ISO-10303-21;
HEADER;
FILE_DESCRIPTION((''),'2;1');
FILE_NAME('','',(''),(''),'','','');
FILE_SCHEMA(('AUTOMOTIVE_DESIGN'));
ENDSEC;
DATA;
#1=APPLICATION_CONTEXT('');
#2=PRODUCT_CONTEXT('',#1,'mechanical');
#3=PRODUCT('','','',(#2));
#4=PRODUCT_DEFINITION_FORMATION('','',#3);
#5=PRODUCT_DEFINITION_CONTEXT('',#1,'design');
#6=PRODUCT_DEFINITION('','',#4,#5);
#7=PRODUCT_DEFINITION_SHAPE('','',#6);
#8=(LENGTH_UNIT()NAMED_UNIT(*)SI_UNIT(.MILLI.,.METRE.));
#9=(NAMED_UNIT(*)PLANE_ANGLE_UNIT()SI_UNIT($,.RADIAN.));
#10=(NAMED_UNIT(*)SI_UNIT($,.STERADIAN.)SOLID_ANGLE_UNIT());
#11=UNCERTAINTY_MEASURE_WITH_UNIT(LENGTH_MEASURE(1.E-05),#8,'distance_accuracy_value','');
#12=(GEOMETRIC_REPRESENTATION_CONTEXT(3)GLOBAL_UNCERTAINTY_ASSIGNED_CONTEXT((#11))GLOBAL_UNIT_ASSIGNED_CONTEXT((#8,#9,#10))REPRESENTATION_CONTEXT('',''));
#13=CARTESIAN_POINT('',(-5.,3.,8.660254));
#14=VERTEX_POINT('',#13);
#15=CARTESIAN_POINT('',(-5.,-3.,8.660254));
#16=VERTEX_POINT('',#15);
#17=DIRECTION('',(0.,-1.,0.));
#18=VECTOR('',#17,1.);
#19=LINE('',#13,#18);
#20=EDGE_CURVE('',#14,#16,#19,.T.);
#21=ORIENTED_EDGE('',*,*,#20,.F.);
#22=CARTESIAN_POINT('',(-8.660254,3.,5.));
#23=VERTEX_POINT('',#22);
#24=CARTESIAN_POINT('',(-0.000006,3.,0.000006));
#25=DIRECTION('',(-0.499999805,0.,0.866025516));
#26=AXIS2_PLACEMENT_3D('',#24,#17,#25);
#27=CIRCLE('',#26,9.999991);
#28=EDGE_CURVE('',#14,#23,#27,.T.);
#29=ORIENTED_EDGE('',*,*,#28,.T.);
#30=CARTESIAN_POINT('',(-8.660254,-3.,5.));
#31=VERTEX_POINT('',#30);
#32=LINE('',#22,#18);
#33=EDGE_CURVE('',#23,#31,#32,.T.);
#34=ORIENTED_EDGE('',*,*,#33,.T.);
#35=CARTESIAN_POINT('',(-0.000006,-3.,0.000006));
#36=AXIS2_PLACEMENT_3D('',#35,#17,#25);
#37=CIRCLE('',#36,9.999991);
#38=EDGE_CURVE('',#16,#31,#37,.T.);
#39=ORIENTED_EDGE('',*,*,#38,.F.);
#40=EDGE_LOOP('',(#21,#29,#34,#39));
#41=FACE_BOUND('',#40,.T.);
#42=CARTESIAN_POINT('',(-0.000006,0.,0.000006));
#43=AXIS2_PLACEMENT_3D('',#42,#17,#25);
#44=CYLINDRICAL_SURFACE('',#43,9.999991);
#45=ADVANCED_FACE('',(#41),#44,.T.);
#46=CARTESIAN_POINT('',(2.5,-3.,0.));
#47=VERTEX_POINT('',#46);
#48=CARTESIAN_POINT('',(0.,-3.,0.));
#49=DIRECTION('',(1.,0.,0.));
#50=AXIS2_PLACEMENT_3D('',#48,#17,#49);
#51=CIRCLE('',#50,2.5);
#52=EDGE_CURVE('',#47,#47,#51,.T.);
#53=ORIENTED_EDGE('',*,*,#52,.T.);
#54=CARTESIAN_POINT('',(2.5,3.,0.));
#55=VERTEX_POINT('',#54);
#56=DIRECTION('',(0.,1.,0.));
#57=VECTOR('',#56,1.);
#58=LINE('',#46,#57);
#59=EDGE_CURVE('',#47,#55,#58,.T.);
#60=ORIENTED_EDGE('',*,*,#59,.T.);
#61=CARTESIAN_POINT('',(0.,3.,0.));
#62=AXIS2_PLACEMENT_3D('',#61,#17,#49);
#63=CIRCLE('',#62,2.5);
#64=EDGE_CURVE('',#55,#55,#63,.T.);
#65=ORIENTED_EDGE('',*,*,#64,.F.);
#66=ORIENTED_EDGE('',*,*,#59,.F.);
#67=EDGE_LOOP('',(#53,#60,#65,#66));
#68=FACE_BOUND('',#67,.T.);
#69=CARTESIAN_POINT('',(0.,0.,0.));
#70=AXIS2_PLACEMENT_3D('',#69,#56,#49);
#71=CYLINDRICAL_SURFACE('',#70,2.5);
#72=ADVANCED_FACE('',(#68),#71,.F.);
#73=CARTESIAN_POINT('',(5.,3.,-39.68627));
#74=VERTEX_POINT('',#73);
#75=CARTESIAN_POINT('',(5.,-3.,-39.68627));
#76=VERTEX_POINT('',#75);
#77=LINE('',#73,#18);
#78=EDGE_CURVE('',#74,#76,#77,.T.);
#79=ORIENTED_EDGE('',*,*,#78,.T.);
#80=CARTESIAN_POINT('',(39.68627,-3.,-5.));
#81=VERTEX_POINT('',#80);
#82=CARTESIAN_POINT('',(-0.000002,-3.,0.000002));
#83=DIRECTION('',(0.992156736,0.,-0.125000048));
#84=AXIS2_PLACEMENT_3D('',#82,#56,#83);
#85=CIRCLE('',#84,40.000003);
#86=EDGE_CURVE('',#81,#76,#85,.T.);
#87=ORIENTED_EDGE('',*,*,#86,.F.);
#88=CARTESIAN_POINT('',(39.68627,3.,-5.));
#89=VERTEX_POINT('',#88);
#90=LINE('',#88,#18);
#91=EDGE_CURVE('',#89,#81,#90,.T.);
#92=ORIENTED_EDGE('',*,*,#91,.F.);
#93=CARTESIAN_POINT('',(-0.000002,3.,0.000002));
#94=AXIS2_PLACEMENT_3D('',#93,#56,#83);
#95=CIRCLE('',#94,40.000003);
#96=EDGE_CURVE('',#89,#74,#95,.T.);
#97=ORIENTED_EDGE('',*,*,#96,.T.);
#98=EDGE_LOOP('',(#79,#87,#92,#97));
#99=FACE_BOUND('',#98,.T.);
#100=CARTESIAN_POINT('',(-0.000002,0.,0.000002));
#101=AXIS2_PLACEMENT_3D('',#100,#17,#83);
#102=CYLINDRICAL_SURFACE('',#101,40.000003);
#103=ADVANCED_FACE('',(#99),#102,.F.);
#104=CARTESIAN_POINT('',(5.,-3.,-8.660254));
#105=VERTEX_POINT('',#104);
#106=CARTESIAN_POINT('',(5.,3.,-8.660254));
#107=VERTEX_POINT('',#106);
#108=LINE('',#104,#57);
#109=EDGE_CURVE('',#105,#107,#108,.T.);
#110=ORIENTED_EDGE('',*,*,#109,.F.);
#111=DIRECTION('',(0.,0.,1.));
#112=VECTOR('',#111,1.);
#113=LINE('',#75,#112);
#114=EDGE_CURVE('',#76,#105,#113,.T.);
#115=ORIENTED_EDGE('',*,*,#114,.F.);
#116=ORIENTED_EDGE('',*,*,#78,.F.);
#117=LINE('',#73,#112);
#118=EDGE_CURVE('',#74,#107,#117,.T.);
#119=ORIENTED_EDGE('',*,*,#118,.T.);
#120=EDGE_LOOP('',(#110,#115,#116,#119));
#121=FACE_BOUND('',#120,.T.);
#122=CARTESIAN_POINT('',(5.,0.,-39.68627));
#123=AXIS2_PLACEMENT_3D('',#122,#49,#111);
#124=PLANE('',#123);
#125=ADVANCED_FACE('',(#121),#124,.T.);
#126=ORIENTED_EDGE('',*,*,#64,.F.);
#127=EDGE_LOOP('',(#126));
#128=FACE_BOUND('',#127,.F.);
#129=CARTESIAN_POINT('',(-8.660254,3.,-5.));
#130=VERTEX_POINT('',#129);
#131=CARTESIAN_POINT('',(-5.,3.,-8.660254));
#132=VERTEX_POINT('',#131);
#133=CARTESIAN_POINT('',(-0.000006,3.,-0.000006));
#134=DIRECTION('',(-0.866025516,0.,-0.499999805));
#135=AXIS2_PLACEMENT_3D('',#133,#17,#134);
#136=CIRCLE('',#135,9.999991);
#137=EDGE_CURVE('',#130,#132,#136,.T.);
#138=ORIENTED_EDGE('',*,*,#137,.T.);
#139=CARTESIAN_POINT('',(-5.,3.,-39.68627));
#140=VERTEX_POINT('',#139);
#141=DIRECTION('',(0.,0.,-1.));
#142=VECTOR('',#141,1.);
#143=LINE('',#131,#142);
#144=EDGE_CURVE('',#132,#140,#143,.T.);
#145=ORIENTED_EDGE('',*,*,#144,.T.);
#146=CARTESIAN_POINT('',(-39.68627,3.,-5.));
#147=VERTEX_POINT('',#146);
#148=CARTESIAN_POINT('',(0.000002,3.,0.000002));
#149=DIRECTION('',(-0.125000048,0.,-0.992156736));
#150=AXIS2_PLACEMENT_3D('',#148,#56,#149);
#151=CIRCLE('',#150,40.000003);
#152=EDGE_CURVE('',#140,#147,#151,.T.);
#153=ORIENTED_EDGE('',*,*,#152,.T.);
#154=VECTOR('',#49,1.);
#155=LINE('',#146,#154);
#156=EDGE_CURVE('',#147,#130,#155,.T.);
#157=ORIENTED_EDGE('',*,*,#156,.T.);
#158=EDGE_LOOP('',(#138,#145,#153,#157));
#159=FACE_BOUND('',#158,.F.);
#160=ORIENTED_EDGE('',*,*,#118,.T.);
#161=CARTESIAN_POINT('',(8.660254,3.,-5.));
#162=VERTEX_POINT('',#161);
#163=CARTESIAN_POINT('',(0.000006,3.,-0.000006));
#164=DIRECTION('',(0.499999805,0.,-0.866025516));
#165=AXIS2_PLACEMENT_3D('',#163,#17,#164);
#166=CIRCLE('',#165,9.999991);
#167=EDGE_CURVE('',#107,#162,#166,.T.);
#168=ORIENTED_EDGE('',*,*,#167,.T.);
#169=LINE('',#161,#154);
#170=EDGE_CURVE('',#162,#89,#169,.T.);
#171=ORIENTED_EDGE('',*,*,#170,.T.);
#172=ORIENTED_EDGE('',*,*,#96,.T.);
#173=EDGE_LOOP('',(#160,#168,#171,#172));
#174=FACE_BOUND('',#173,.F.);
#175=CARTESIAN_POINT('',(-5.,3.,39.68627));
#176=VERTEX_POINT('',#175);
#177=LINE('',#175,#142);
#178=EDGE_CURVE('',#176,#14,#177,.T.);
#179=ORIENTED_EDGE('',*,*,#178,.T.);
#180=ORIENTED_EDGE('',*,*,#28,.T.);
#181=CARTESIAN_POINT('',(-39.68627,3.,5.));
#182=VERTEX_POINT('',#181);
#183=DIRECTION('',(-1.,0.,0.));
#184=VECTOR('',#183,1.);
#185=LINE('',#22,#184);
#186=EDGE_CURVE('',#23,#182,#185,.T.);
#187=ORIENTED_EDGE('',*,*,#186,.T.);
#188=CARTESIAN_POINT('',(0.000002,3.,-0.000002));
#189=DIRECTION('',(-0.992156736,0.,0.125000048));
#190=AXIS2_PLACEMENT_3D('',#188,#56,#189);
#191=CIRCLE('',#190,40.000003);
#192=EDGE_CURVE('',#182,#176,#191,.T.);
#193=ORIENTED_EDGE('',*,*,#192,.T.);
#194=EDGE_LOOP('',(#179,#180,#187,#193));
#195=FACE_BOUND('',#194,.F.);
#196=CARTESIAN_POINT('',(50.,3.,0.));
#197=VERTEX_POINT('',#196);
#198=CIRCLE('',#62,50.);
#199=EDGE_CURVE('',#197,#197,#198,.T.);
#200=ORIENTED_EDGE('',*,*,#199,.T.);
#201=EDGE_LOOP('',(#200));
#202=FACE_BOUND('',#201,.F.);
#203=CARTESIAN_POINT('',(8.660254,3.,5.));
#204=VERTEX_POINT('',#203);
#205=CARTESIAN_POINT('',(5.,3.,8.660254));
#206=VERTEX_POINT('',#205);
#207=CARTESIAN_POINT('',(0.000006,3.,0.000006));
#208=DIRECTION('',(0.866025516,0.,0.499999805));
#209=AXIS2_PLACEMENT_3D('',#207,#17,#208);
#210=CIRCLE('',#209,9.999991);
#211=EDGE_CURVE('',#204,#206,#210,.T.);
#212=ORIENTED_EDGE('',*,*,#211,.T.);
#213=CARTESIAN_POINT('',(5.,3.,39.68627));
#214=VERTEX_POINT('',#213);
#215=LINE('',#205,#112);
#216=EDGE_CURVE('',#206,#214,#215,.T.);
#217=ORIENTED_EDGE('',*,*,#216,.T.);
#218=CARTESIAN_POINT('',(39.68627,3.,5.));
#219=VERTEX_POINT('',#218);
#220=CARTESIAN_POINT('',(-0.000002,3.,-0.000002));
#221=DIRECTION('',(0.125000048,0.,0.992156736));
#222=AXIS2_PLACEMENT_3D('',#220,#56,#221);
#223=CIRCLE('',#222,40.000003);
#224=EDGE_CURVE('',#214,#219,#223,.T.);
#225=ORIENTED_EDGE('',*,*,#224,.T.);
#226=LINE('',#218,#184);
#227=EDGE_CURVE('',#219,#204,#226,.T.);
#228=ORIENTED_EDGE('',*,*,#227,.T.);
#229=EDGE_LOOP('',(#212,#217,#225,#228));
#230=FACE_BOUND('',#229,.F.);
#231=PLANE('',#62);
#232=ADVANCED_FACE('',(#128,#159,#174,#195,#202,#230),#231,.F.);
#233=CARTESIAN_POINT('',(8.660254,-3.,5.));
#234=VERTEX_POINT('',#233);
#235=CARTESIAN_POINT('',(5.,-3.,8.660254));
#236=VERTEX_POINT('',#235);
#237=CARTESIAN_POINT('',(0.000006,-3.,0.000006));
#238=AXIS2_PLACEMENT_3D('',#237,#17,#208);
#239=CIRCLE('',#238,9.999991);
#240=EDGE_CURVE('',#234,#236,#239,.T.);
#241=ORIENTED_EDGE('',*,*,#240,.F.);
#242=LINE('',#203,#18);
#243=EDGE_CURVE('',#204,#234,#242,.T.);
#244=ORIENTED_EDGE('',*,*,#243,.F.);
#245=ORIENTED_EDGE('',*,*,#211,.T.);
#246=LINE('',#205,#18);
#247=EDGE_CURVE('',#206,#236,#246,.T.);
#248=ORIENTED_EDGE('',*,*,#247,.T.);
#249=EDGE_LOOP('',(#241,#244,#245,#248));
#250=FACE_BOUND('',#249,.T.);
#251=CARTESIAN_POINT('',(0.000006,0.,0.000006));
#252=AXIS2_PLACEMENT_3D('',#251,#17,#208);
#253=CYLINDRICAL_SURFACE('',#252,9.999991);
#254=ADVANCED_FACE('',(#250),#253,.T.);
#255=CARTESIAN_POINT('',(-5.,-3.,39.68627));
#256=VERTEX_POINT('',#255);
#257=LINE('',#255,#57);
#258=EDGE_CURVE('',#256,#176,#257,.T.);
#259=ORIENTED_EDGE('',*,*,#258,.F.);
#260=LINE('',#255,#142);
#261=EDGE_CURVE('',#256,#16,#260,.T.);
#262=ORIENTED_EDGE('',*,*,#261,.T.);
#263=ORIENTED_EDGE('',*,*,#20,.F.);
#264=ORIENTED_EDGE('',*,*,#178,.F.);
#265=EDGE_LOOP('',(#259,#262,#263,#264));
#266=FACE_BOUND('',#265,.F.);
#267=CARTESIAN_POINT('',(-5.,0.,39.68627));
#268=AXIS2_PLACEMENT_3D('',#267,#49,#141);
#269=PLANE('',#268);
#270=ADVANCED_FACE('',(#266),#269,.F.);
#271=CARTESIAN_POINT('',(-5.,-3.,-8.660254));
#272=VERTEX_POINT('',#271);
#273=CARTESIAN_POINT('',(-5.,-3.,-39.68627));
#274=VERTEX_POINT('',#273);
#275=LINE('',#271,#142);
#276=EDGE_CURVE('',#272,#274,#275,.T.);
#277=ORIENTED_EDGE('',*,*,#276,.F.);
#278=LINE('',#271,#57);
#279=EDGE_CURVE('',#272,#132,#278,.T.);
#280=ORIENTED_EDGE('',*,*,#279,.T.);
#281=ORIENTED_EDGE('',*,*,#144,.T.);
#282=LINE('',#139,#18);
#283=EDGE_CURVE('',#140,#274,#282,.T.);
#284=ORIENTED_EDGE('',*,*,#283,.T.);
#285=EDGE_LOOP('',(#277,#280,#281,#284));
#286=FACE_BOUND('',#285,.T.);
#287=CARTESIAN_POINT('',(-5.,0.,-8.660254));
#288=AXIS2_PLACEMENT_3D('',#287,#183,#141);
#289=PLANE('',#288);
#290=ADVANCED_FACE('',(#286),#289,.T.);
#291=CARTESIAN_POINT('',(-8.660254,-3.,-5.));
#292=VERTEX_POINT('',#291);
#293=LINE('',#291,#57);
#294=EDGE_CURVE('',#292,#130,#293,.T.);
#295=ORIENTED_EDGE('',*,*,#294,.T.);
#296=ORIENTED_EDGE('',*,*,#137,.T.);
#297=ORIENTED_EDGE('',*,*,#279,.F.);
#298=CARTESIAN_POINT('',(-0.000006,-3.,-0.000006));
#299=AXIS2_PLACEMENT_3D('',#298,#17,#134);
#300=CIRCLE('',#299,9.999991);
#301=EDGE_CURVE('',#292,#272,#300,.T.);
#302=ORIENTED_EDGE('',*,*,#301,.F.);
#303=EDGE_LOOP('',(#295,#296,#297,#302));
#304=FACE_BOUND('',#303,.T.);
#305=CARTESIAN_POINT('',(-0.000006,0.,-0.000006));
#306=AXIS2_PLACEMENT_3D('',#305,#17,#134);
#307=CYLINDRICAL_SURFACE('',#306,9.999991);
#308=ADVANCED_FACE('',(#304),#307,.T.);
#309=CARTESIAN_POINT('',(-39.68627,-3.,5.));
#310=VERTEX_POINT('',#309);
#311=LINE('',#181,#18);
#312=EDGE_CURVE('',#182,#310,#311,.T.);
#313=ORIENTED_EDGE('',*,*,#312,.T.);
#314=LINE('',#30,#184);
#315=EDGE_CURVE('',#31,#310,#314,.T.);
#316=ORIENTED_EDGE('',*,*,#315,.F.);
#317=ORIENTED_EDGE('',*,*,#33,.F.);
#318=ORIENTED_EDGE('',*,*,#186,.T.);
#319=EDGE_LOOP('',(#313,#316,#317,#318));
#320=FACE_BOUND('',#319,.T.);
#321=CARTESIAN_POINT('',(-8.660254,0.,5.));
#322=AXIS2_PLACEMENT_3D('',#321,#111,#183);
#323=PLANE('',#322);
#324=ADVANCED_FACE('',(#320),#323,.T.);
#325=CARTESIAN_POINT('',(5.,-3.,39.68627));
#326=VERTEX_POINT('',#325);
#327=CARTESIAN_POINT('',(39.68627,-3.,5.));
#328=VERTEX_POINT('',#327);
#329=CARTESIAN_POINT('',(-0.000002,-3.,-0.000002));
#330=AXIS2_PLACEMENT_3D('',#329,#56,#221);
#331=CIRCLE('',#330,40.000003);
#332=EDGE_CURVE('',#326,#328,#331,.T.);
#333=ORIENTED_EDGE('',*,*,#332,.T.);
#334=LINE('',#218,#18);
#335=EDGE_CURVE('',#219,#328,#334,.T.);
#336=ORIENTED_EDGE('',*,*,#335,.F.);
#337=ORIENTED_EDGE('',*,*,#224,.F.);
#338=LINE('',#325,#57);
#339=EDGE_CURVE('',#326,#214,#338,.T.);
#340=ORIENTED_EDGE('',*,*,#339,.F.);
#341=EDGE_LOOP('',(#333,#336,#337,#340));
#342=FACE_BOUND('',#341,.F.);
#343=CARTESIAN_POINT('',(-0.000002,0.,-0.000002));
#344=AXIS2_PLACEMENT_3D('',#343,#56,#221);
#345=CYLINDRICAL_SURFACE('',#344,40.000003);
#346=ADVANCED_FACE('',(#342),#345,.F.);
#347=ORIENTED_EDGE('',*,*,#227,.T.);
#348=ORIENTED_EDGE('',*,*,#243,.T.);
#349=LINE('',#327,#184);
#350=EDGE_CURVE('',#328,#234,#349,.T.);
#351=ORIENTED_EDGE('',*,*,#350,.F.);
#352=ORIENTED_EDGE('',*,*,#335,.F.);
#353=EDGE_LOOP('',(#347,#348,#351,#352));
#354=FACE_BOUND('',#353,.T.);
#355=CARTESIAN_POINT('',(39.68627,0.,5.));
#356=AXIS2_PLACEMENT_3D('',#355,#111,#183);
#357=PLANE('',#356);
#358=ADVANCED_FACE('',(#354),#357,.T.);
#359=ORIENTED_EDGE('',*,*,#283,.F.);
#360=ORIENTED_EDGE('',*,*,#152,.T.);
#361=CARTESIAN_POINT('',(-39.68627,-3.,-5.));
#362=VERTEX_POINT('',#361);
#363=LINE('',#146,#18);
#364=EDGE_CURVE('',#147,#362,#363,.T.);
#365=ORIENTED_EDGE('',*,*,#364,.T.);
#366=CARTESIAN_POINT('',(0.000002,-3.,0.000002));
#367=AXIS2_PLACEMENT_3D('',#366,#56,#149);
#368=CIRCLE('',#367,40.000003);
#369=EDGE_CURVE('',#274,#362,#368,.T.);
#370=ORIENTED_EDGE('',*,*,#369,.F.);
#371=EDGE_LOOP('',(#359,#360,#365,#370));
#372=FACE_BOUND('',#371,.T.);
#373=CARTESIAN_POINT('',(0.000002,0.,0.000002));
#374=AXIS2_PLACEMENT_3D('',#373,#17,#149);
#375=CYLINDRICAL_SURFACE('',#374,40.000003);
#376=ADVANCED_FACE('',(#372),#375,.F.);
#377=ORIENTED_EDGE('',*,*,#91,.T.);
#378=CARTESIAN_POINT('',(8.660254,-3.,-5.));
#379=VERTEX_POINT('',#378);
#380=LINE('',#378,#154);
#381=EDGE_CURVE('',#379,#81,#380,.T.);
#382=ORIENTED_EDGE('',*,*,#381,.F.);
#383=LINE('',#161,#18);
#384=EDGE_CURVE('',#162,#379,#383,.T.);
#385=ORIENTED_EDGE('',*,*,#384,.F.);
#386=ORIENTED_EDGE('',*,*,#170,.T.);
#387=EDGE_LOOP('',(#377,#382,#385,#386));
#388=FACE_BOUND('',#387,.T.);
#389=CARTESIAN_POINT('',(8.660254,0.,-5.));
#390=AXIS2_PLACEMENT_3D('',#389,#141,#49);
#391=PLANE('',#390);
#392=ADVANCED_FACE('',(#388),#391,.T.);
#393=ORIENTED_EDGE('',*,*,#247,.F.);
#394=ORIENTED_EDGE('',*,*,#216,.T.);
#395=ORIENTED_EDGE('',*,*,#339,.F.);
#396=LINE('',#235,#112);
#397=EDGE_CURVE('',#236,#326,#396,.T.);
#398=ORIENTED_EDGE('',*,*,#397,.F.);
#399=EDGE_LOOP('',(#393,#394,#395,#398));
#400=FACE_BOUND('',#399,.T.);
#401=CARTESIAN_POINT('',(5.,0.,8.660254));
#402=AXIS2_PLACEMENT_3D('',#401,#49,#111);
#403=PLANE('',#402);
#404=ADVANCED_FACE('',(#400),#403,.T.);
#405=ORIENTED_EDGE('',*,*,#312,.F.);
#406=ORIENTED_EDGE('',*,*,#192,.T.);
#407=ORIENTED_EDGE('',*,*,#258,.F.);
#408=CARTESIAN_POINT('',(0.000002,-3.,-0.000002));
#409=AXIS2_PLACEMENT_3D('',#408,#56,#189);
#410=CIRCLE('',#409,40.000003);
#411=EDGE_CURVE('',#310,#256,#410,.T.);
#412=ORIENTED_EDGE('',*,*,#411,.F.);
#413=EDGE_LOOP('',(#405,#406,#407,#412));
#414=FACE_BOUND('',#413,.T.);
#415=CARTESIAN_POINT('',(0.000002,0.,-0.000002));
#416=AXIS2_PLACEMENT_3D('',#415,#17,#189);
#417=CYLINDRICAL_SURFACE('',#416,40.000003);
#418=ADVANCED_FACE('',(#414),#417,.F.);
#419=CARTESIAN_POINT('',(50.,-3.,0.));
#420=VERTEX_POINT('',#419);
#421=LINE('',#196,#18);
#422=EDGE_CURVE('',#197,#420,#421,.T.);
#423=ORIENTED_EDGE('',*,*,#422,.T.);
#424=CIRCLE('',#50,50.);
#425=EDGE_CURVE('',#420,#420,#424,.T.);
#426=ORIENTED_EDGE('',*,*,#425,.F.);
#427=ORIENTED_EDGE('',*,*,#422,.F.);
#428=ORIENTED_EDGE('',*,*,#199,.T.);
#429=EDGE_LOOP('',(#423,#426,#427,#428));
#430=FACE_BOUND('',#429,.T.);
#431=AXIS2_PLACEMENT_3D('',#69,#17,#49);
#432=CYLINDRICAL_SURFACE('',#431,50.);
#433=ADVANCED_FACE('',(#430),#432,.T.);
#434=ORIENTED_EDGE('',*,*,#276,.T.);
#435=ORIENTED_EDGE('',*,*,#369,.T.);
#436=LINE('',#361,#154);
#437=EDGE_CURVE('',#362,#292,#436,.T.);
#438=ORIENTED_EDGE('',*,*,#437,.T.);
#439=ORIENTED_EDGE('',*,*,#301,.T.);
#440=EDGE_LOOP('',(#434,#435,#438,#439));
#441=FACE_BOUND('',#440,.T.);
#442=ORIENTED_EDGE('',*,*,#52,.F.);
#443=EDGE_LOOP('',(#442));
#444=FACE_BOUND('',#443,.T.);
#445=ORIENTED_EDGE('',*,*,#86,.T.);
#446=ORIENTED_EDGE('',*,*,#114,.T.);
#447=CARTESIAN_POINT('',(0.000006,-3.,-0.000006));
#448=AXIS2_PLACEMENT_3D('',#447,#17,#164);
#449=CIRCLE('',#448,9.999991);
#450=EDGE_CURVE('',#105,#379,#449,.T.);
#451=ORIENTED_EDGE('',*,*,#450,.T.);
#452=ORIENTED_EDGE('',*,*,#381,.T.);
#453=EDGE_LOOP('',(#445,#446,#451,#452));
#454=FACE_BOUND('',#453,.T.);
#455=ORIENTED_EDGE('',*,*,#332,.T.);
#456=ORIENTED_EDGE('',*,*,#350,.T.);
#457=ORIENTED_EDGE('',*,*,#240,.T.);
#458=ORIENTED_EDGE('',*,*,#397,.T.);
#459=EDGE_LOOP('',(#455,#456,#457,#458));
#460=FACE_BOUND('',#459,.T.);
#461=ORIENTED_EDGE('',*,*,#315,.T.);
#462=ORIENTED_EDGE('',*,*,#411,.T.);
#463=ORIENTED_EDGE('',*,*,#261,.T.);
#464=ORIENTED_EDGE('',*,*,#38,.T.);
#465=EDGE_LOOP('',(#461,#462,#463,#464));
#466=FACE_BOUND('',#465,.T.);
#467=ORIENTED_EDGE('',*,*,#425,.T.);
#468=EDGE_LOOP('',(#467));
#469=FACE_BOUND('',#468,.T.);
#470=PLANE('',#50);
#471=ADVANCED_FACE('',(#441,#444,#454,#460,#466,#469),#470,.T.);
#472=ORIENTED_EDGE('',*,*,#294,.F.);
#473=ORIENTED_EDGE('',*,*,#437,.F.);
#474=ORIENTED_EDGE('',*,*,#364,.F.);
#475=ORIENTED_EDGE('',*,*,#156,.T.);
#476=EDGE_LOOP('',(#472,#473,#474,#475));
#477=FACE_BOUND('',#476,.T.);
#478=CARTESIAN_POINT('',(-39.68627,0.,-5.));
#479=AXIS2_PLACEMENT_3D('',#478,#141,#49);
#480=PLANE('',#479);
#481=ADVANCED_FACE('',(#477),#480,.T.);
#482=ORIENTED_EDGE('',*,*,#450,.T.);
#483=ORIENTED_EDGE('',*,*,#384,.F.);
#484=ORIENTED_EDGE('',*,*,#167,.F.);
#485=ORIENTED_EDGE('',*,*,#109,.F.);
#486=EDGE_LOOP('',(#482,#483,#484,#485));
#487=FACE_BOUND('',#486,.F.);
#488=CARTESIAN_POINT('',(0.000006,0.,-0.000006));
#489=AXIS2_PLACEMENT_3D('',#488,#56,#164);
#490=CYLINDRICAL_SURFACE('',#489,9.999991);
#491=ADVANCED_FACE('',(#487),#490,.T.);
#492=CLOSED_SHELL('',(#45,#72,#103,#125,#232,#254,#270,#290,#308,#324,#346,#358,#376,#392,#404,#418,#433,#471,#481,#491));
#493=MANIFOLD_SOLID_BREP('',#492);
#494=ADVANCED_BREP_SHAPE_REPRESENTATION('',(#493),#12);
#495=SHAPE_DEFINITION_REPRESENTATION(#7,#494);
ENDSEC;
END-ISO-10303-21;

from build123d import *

# Parameters (mm, degrees)
F0_R     = 50
F0_R_2   = 2.5
F1_DEPTH = 3


with BuildPart() as f1:
    # F0 (on Front) → F1 (new body, symmetric)
    with BuildSketch(Plane.XZ):
        Circle(F0_R)
        with BuildLine():
            ThreePointArc((-5, -39.68627), (-28.284271, -28.284271), (-39.68627, -5))
            Line((-39.68627, -5), (-8.660254, -5))
            ThreePointArc((-8.660254, -5), (-7.071068, -7.071068), (-5, -8.660254))
            Line((-5, -8.660254), (-5, -39.68627))
        make_face(mode=Mode.SUBTRACT)
        with BuildLine():
            Line((5, -39.68627), (5, -8.660254))
            ThreePointArc((5, -8.660254), (7.071068, -7.071068), (8.660254, -5))
            Line((8.660254, -5), (39.68627, -5))
            ThreePointArc((39.68627, -5), (28.284271, -28.284271), (5, -39.68627))
        make_face(mode=Mode.SUBTRACT)
        with BuildLine():
            ThreePointArc((-39.68627, 5), (-28.284271, 28.284271), (-5, 39.68627))
            Line((-5, 39.68627), (-5, 8.660254))
            ThreePointArc((-5, 8.660254), (-7.071068, 7.071068), (-8.660254, 5))
            Line((-8.660254, 5), (-39.68627, 5))
        make_face(mode=Mode.SUBTRACT)
        Circle(F0_R_2, mode=Mode.SUBTRACT)
        with BuildLine():
            ThreePointArc((5, 39.68627), (28.284271, 28.284271), (39.68627, 5))
            Line((39.68627, 5), (8.660254, 5))
            ThreePointArc((8.660254, 5), (7.071068, 7.071068), (5, 8.660254))
            Line((5, 8.660254), (5, 39.68627))
        make_face(mode=Mode.SUBTRACT)
    extrude(amount=F1_DEPTH, both=True)


solid = f1.part
